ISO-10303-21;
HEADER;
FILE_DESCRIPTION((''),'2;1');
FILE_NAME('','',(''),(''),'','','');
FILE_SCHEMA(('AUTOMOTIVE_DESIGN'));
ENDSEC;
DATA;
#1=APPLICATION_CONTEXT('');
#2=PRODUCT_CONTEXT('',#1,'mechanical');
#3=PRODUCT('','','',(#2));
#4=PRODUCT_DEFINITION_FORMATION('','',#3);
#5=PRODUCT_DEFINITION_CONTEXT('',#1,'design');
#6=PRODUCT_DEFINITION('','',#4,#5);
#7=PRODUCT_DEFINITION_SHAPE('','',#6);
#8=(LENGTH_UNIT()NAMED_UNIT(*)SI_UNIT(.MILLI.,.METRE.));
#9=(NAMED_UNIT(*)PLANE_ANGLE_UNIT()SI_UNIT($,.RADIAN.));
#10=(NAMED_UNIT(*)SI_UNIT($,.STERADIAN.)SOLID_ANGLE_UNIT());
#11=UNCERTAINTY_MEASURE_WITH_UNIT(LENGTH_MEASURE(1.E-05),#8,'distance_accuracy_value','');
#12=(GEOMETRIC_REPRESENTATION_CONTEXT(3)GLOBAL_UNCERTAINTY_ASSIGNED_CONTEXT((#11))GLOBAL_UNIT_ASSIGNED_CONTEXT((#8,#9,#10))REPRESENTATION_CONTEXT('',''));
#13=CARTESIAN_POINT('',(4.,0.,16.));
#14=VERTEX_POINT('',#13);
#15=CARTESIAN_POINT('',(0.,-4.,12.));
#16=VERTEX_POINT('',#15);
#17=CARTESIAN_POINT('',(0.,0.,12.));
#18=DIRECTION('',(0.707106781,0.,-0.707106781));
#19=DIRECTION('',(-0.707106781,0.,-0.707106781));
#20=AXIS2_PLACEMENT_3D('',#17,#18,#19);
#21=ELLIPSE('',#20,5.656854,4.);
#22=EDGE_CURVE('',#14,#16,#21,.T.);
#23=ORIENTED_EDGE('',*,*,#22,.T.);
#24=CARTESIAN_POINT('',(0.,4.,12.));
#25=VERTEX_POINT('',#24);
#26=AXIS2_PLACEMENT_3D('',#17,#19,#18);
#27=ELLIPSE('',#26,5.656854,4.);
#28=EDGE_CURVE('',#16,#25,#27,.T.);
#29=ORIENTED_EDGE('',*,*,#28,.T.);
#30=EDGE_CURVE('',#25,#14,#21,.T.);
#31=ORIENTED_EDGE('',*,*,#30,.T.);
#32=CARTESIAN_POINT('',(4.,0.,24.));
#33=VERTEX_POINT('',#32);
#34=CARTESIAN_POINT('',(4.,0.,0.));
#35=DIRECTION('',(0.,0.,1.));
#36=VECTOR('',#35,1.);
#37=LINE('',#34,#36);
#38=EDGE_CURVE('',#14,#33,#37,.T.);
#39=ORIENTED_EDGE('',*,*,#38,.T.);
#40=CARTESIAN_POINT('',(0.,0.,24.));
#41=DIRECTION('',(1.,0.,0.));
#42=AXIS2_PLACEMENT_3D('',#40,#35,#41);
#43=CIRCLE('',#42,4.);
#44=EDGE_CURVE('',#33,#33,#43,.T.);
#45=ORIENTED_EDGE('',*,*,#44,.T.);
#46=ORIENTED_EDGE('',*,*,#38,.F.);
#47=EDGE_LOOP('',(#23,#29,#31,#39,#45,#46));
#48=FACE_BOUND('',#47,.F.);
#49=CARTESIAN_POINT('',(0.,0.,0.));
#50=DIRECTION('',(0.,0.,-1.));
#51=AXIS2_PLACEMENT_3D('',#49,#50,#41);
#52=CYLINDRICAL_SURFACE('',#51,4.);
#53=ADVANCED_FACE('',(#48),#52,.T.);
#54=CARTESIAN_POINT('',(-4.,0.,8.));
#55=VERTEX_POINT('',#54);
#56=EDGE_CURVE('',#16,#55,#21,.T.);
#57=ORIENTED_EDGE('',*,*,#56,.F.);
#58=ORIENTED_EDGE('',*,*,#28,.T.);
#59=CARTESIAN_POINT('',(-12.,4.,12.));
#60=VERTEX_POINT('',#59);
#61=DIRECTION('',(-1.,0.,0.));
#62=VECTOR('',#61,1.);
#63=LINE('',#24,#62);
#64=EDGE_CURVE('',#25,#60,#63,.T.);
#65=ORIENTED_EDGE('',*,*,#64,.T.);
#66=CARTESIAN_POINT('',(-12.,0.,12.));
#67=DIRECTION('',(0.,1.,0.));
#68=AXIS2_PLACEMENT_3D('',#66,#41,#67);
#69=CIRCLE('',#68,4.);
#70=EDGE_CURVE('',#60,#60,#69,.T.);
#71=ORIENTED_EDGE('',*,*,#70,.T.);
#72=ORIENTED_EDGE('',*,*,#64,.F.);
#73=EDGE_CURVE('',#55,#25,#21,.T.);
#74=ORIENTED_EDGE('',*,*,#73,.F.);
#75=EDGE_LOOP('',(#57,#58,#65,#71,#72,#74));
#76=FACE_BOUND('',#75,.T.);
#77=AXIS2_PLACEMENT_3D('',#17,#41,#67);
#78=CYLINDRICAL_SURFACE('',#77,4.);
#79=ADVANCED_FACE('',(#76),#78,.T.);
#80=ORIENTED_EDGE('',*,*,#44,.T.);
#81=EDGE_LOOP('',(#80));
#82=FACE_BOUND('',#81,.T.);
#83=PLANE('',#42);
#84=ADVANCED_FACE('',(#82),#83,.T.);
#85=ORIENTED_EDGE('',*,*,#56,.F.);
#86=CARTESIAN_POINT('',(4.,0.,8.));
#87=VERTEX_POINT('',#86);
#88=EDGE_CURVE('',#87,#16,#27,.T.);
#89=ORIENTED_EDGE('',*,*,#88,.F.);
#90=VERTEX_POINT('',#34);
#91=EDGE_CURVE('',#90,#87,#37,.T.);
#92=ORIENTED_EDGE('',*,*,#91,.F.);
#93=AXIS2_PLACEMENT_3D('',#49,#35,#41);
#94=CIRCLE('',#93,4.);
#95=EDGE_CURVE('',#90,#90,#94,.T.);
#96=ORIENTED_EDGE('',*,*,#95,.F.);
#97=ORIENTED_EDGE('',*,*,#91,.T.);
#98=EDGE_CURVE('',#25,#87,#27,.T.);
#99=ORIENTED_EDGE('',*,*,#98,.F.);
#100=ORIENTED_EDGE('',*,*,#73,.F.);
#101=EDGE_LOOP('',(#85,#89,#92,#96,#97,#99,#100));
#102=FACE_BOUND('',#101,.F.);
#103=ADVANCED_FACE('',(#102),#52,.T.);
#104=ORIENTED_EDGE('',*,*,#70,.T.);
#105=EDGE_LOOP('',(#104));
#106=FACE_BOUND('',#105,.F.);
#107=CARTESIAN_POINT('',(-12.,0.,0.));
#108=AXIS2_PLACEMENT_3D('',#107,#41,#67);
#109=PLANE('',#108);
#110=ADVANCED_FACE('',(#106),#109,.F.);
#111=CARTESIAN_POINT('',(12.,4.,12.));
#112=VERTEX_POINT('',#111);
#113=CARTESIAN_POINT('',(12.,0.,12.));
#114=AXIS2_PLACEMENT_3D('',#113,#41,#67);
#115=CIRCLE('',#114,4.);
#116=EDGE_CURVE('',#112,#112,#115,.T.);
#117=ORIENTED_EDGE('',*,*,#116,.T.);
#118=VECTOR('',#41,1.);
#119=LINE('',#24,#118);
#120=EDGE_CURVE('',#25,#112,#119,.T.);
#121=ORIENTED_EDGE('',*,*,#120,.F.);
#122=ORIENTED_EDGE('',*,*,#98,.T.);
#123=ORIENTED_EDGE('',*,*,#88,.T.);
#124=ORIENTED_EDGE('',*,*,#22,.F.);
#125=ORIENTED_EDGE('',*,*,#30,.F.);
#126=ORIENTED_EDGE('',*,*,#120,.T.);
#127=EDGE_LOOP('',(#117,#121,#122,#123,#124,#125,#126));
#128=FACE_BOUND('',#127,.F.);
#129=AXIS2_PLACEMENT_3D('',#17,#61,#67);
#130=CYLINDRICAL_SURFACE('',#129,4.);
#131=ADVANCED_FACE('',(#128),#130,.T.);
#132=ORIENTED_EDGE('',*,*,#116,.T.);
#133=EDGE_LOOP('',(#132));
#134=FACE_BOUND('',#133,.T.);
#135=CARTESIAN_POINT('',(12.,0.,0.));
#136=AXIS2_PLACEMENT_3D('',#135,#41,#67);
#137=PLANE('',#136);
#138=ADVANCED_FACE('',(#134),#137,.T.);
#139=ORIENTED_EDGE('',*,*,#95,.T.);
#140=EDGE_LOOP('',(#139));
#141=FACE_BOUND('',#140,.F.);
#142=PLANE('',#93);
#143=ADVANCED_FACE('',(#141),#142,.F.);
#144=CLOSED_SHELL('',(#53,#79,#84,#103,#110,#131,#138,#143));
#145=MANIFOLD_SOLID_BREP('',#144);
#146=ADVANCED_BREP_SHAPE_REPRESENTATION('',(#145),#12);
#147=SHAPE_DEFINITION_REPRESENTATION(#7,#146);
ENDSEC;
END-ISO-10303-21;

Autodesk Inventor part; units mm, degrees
ref_plane "YZ Plane" through (0, 0, 0) normal (1, 0, 0) x (0, 1, 0)
ref_plane "XZ Plane" through (0, 0, 0) normal (0, 1, 0) x (-1, 0, 0)
ref_plane "XY Plane" through (0, 0, 0) normal (0, 0, 1) x (1, 0, 0)
sketch "Sketch1" plane through (0, 0, 0) normal (0, 0, 1) x (1, 0, 0)
  circle A0 centre (0, 0) radius 4
  dimension "d0" = 8
extrude "Extrusion1" add sketch "Sketch1" along normal blind 24
sketch "Sketch2" plane through (0, 0, 0) normal (1, 0, 0) x (0, 1, 0)
  line L0 (4, 24) -> (-4, 24) construction
  line L1 (4, 0) -> (-4, 0) construction
  circle A0 centre (0, 12) radius 4
  line L2 (0, 24) -> (0, 0) construction
  point P0 (0, 12)
  dimension "d3" = 8
extrude "Extrusion2" add sketch "Sketch2" along normal mid plane 24
properties part number "u joint"
